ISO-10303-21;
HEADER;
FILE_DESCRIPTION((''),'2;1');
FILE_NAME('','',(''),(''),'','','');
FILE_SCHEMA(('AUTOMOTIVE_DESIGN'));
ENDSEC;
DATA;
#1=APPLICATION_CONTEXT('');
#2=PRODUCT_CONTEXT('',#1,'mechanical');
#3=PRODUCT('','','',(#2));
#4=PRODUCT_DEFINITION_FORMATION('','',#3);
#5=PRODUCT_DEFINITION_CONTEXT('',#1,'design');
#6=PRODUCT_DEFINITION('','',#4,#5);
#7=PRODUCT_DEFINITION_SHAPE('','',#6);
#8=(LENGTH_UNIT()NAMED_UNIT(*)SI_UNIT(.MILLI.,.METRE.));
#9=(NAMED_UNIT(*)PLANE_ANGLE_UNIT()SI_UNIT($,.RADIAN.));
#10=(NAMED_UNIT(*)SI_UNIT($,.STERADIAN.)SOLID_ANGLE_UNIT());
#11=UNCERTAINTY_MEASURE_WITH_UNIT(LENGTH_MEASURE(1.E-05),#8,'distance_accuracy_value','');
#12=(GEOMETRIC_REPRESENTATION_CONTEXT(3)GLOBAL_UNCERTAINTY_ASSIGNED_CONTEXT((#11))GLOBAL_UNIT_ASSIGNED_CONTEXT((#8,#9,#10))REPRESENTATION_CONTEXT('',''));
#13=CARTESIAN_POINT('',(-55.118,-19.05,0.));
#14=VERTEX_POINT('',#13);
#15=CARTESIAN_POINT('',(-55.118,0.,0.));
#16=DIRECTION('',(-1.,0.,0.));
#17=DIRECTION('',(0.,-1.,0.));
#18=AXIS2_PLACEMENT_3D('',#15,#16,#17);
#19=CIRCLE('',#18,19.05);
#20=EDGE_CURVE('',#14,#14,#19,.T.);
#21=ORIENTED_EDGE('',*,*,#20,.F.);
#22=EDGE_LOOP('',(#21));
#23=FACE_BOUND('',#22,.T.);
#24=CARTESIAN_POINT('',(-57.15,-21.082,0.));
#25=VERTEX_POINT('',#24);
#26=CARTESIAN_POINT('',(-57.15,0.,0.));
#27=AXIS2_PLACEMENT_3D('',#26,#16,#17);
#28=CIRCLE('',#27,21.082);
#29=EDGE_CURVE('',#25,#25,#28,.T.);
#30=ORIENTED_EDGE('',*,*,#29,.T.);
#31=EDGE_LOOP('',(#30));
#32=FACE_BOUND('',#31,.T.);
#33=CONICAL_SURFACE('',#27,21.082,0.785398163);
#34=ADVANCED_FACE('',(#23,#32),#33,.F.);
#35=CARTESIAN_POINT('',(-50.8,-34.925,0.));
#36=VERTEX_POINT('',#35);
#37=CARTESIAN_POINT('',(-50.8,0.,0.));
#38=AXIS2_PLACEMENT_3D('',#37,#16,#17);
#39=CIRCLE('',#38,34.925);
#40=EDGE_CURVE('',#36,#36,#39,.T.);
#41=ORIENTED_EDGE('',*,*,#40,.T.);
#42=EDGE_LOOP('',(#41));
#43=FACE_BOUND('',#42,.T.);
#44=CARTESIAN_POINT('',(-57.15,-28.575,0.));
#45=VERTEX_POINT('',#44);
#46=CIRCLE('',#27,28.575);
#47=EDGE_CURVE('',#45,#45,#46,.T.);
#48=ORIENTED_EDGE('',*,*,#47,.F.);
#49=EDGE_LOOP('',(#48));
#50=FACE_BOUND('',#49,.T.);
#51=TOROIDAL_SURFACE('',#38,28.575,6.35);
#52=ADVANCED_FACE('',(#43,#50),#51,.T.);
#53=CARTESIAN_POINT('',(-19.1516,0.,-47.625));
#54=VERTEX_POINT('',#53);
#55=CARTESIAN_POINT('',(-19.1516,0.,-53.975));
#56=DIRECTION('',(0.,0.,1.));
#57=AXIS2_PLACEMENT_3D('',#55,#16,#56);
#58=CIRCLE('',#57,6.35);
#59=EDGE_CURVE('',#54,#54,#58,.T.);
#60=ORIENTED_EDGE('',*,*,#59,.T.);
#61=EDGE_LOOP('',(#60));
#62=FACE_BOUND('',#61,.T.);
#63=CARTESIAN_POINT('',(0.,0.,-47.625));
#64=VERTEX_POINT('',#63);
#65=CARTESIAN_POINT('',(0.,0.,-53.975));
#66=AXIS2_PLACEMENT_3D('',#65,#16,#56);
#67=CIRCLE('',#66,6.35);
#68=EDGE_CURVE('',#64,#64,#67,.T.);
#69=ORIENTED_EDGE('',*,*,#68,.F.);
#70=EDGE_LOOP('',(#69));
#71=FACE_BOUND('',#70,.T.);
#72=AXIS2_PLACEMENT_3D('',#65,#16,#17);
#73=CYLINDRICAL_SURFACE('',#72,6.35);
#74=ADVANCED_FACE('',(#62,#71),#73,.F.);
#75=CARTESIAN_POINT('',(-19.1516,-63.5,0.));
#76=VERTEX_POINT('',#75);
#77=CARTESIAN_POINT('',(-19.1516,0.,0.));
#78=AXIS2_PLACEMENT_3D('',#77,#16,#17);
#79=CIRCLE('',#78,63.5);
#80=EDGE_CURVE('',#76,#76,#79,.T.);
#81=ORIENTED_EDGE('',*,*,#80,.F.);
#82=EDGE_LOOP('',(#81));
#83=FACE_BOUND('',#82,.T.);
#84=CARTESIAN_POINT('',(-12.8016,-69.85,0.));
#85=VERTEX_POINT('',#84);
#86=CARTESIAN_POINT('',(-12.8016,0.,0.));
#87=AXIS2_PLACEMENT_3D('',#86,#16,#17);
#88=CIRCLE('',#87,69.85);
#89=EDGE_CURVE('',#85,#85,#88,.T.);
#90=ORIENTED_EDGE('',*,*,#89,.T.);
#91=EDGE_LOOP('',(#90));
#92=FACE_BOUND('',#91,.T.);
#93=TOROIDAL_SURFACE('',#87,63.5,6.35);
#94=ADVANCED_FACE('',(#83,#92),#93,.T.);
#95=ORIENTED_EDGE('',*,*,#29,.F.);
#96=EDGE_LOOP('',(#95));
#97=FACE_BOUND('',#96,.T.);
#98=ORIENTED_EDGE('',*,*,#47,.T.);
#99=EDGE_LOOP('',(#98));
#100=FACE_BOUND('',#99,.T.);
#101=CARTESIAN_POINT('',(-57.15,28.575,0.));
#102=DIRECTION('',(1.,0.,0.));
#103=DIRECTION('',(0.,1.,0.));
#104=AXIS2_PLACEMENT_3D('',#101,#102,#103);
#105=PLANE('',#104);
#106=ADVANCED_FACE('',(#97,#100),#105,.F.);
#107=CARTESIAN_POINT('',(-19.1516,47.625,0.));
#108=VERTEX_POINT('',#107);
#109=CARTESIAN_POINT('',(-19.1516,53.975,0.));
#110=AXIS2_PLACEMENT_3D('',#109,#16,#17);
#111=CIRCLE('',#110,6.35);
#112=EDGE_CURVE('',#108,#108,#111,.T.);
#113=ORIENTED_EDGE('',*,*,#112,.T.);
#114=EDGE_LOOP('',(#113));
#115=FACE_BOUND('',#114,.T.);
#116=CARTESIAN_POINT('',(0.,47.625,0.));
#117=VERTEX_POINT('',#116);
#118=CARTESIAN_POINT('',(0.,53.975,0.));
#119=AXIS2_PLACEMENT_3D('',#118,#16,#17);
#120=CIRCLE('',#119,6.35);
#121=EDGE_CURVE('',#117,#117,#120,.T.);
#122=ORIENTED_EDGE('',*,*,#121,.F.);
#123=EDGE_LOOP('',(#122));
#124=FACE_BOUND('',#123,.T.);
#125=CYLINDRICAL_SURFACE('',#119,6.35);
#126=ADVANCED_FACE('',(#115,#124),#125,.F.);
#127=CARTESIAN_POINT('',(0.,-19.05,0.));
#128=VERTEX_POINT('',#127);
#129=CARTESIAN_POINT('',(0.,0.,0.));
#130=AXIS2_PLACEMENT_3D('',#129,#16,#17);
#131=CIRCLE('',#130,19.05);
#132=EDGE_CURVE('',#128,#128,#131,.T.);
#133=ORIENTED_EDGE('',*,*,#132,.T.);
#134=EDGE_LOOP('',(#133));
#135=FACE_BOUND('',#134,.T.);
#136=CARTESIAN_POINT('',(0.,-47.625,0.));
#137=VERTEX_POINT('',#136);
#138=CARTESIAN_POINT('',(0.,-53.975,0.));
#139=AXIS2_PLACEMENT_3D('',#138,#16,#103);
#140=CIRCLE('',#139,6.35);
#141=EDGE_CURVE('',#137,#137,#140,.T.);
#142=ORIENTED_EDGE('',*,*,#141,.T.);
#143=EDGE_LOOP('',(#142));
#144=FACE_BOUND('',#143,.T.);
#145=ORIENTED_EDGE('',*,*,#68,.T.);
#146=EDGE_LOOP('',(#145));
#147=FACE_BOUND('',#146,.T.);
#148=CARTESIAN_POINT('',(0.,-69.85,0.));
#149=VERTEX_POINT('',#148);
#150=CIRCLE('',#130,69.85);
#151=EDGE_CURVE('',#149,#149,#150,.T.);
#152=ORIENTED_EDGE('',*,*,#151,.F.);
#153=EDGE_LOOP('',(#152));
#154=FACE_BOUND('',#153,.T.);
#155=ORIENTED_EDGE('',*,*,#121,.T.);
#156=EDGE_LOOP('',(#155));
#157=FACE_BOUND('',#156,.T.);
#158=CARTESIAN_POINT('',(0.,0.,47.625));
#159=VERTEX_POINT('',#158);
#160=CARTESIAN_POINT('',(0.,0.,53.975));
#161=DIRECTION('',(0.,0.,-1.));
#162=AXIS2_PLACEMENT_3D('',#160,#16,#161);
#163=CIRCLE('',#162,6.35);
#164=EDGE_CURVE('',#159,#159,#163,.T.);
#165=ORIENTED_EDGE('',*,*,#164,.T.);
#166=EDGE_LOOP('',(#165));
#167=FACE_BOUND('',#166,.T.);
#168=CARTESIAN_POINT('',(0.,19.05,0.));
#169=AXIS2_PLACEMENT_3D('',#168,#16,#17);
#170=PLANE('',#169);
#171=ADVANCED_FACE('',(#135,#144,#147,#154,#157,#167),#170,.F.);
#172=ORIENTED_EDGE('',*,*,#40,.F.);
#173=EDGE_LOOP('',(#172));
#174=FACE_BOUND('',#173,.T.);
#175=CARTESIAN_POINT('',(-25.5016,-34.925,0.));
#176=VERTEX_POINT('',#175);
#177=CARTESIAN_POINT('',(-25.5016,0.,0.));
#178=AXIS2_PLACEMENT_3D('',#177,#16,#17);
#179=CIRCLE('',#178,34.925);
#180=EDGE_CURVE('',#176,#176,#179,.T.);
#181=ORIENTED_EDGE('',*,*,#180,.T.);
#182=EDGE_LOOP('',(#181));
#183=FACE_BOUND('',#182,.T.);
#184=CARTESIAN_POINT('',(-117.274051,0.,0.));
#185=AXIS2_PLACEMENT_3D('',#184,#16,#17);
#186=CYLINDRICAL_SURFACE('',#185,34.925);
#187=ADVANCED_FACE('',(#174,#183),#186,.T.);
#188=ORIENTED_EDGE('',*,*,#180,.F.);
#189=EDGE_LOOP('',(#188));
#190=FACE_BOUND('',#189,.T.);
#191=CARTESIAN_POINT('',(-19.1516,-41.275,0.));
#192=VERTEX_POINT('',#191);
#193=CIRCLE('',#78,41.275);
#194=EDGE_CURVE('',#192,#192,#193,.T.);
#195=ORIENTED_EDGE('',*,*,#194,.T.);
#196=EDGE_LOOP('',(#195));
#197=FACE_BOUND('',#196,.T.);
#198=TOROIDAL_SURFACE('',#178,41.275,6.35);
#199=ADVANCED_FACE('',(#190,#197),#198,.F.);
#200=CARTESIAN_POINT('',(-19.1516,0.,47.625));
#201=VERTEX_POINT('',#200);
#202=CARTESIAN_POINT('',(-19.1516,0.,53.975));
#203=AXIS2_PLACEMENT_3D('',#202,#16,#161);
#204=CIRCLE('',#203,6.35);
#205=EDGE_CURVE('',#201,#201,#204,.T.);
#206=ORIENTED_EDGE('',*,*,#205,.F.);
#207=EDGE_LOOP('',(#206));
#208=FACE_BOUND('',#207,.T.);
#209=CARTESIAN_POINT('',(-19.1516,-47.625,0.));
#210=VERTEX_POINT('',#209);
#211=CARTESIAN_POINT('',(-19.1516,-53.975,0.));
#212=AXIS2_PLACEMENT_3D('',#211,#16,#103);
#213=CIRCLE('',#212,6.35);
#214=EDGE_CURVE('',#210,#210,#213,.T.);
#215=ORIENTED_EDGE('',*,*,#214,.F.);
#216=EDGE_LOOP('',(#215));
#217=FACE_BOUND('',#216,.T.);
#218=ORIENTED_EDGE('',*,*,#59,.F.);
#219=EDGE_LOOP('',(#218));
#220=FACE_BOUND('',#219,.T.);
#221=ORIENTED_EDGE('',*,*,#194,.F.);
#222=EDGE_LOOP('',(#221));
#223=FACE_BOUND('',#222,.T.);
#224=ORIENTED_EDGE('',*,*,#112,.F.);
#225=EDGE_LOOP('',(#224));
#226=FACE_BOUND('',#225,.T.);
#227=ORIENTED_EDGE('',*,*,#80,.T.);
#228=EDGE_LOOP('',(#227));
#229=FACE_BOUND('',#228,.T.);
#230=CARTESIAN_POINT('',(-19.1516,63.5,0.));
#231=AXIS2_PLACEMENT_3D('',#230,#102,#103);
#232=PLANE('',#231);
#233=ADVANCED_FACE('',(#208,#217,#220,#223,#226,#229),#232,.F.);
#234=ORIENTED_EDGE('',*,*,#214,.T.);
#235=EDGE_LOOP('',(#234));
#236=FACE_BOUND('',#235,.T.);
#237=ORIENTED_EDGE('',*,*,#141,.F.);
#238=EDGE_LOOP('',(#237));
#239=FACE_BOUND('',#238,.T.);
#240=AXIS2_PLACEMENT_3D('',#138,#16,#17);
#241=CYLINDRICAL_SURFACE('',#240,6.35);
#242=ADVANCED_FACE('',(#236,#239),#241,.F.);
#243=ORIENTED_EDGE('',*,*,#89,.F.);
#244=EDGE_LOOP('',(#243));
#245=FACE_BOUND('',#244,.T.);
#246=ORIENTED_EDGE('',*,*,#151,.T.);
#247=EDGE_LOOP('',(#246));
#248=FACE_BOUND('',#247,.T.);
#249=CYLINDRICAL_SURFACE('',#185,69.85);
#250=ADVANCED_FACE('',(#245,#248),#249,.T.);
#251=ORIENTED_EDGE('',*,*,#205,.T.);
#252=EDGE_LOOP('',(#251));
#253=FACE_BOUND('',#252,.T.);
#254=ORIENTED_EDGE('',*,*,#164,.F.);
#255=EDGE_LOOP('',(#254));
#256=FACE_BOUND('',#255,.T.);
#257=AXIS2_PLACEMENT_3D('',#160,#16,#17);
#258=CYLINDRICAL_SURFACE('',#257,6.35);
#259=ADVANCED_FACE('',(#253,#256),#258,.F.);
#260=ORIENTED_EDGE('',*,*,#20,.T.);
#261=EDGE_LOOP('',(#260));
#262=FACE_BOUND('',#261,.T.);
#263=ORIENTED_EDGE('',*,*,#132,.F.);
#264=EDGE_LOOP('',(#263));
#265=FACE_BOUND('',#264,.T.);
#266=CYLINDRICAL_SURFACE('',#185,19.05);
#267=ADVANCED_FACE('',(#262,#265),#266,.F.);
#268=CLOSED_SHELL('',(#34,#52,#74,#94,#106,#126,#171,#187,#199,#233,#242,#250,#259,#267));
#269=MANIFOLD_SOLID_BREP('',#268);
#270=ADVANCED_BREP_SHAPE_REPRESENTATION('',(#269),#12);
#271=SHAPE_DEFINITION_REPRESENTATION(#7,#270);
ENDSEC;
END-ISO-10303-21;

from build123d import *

# Parameters (mm, degrees)
SKETCH2_R          = 6.35
CUT_EXTRUDE1_DEPTH = 106.839139341
CIRPATTERN1_COUNT  = 4


with BuildPart() as part:
    # Sketch1 → Revolve1 (revolve)
    with BuildSketch(Plane.XY, mode=Mode.PRIVATE) as revolve1_sk:
        with BuildLine():
            Line((-55.118, 19.05), (0, 19.05))
            Line((0, 19.05), (0, 69.85))
            Line((0, 69.85), (-12.8016, 69.85))
            ThreePointArc((-12.8016, 69.85), (-17.291728061, 67.990128061), (-19.1516, 63.5))
            Line((-19.1516, 63.5), (-19.1516, 41.275))
            ThreePointArc((-19.1516, 41.275), (-21.011471939, 36.784871939), (-25.5016, 34.925))
            Line((-25.5016, 34.925), (-50.8, 34.925))
            ThreePointArc((-50.8, 34.925), (-55.290128061, 33.065128061), (-57.15, 28.575))
            Line((-57.15, 28.575), (-57.15, 21.082))
            Line((-57.15, 21.082), (-55.118, 19.05))
        make_face()
    revolve(revolve1_sk.sketch.rotate(Axis((-117.274050633, 0, 0), (1, 0, 0)), 180), axis=Axis((-117.274050633, 0, 0), (1, 0, 0)))

    # Sketch2 → Cut-Extrude1 (cut, through all)
    with BuildSketch(Plane.ZY.offset(19.1516)):
        with Locations(Location((0, 53.975, 0), (0, 0, 270))):
            Circle(SKETCH2_R)
    cut_extrude1 = extrude(amount=-CUT_EXTRUDE1_DEPTH, mode=Mode.SUBTRACT)

    # CirPattern1: Cut-Extrude1 ×4 about axis
    cirpattern1_axis = Axis((0, 0, 0), (1, 0, 0))
    for i in range(1, CIRPATTERN1_COUNT):
        add(cut_extrude1.rotate(cirpattern1_axis, i * 360 / CIRPATTERN1_COUNT), mode=Mode.SUBTRACT)


solid = part.part
